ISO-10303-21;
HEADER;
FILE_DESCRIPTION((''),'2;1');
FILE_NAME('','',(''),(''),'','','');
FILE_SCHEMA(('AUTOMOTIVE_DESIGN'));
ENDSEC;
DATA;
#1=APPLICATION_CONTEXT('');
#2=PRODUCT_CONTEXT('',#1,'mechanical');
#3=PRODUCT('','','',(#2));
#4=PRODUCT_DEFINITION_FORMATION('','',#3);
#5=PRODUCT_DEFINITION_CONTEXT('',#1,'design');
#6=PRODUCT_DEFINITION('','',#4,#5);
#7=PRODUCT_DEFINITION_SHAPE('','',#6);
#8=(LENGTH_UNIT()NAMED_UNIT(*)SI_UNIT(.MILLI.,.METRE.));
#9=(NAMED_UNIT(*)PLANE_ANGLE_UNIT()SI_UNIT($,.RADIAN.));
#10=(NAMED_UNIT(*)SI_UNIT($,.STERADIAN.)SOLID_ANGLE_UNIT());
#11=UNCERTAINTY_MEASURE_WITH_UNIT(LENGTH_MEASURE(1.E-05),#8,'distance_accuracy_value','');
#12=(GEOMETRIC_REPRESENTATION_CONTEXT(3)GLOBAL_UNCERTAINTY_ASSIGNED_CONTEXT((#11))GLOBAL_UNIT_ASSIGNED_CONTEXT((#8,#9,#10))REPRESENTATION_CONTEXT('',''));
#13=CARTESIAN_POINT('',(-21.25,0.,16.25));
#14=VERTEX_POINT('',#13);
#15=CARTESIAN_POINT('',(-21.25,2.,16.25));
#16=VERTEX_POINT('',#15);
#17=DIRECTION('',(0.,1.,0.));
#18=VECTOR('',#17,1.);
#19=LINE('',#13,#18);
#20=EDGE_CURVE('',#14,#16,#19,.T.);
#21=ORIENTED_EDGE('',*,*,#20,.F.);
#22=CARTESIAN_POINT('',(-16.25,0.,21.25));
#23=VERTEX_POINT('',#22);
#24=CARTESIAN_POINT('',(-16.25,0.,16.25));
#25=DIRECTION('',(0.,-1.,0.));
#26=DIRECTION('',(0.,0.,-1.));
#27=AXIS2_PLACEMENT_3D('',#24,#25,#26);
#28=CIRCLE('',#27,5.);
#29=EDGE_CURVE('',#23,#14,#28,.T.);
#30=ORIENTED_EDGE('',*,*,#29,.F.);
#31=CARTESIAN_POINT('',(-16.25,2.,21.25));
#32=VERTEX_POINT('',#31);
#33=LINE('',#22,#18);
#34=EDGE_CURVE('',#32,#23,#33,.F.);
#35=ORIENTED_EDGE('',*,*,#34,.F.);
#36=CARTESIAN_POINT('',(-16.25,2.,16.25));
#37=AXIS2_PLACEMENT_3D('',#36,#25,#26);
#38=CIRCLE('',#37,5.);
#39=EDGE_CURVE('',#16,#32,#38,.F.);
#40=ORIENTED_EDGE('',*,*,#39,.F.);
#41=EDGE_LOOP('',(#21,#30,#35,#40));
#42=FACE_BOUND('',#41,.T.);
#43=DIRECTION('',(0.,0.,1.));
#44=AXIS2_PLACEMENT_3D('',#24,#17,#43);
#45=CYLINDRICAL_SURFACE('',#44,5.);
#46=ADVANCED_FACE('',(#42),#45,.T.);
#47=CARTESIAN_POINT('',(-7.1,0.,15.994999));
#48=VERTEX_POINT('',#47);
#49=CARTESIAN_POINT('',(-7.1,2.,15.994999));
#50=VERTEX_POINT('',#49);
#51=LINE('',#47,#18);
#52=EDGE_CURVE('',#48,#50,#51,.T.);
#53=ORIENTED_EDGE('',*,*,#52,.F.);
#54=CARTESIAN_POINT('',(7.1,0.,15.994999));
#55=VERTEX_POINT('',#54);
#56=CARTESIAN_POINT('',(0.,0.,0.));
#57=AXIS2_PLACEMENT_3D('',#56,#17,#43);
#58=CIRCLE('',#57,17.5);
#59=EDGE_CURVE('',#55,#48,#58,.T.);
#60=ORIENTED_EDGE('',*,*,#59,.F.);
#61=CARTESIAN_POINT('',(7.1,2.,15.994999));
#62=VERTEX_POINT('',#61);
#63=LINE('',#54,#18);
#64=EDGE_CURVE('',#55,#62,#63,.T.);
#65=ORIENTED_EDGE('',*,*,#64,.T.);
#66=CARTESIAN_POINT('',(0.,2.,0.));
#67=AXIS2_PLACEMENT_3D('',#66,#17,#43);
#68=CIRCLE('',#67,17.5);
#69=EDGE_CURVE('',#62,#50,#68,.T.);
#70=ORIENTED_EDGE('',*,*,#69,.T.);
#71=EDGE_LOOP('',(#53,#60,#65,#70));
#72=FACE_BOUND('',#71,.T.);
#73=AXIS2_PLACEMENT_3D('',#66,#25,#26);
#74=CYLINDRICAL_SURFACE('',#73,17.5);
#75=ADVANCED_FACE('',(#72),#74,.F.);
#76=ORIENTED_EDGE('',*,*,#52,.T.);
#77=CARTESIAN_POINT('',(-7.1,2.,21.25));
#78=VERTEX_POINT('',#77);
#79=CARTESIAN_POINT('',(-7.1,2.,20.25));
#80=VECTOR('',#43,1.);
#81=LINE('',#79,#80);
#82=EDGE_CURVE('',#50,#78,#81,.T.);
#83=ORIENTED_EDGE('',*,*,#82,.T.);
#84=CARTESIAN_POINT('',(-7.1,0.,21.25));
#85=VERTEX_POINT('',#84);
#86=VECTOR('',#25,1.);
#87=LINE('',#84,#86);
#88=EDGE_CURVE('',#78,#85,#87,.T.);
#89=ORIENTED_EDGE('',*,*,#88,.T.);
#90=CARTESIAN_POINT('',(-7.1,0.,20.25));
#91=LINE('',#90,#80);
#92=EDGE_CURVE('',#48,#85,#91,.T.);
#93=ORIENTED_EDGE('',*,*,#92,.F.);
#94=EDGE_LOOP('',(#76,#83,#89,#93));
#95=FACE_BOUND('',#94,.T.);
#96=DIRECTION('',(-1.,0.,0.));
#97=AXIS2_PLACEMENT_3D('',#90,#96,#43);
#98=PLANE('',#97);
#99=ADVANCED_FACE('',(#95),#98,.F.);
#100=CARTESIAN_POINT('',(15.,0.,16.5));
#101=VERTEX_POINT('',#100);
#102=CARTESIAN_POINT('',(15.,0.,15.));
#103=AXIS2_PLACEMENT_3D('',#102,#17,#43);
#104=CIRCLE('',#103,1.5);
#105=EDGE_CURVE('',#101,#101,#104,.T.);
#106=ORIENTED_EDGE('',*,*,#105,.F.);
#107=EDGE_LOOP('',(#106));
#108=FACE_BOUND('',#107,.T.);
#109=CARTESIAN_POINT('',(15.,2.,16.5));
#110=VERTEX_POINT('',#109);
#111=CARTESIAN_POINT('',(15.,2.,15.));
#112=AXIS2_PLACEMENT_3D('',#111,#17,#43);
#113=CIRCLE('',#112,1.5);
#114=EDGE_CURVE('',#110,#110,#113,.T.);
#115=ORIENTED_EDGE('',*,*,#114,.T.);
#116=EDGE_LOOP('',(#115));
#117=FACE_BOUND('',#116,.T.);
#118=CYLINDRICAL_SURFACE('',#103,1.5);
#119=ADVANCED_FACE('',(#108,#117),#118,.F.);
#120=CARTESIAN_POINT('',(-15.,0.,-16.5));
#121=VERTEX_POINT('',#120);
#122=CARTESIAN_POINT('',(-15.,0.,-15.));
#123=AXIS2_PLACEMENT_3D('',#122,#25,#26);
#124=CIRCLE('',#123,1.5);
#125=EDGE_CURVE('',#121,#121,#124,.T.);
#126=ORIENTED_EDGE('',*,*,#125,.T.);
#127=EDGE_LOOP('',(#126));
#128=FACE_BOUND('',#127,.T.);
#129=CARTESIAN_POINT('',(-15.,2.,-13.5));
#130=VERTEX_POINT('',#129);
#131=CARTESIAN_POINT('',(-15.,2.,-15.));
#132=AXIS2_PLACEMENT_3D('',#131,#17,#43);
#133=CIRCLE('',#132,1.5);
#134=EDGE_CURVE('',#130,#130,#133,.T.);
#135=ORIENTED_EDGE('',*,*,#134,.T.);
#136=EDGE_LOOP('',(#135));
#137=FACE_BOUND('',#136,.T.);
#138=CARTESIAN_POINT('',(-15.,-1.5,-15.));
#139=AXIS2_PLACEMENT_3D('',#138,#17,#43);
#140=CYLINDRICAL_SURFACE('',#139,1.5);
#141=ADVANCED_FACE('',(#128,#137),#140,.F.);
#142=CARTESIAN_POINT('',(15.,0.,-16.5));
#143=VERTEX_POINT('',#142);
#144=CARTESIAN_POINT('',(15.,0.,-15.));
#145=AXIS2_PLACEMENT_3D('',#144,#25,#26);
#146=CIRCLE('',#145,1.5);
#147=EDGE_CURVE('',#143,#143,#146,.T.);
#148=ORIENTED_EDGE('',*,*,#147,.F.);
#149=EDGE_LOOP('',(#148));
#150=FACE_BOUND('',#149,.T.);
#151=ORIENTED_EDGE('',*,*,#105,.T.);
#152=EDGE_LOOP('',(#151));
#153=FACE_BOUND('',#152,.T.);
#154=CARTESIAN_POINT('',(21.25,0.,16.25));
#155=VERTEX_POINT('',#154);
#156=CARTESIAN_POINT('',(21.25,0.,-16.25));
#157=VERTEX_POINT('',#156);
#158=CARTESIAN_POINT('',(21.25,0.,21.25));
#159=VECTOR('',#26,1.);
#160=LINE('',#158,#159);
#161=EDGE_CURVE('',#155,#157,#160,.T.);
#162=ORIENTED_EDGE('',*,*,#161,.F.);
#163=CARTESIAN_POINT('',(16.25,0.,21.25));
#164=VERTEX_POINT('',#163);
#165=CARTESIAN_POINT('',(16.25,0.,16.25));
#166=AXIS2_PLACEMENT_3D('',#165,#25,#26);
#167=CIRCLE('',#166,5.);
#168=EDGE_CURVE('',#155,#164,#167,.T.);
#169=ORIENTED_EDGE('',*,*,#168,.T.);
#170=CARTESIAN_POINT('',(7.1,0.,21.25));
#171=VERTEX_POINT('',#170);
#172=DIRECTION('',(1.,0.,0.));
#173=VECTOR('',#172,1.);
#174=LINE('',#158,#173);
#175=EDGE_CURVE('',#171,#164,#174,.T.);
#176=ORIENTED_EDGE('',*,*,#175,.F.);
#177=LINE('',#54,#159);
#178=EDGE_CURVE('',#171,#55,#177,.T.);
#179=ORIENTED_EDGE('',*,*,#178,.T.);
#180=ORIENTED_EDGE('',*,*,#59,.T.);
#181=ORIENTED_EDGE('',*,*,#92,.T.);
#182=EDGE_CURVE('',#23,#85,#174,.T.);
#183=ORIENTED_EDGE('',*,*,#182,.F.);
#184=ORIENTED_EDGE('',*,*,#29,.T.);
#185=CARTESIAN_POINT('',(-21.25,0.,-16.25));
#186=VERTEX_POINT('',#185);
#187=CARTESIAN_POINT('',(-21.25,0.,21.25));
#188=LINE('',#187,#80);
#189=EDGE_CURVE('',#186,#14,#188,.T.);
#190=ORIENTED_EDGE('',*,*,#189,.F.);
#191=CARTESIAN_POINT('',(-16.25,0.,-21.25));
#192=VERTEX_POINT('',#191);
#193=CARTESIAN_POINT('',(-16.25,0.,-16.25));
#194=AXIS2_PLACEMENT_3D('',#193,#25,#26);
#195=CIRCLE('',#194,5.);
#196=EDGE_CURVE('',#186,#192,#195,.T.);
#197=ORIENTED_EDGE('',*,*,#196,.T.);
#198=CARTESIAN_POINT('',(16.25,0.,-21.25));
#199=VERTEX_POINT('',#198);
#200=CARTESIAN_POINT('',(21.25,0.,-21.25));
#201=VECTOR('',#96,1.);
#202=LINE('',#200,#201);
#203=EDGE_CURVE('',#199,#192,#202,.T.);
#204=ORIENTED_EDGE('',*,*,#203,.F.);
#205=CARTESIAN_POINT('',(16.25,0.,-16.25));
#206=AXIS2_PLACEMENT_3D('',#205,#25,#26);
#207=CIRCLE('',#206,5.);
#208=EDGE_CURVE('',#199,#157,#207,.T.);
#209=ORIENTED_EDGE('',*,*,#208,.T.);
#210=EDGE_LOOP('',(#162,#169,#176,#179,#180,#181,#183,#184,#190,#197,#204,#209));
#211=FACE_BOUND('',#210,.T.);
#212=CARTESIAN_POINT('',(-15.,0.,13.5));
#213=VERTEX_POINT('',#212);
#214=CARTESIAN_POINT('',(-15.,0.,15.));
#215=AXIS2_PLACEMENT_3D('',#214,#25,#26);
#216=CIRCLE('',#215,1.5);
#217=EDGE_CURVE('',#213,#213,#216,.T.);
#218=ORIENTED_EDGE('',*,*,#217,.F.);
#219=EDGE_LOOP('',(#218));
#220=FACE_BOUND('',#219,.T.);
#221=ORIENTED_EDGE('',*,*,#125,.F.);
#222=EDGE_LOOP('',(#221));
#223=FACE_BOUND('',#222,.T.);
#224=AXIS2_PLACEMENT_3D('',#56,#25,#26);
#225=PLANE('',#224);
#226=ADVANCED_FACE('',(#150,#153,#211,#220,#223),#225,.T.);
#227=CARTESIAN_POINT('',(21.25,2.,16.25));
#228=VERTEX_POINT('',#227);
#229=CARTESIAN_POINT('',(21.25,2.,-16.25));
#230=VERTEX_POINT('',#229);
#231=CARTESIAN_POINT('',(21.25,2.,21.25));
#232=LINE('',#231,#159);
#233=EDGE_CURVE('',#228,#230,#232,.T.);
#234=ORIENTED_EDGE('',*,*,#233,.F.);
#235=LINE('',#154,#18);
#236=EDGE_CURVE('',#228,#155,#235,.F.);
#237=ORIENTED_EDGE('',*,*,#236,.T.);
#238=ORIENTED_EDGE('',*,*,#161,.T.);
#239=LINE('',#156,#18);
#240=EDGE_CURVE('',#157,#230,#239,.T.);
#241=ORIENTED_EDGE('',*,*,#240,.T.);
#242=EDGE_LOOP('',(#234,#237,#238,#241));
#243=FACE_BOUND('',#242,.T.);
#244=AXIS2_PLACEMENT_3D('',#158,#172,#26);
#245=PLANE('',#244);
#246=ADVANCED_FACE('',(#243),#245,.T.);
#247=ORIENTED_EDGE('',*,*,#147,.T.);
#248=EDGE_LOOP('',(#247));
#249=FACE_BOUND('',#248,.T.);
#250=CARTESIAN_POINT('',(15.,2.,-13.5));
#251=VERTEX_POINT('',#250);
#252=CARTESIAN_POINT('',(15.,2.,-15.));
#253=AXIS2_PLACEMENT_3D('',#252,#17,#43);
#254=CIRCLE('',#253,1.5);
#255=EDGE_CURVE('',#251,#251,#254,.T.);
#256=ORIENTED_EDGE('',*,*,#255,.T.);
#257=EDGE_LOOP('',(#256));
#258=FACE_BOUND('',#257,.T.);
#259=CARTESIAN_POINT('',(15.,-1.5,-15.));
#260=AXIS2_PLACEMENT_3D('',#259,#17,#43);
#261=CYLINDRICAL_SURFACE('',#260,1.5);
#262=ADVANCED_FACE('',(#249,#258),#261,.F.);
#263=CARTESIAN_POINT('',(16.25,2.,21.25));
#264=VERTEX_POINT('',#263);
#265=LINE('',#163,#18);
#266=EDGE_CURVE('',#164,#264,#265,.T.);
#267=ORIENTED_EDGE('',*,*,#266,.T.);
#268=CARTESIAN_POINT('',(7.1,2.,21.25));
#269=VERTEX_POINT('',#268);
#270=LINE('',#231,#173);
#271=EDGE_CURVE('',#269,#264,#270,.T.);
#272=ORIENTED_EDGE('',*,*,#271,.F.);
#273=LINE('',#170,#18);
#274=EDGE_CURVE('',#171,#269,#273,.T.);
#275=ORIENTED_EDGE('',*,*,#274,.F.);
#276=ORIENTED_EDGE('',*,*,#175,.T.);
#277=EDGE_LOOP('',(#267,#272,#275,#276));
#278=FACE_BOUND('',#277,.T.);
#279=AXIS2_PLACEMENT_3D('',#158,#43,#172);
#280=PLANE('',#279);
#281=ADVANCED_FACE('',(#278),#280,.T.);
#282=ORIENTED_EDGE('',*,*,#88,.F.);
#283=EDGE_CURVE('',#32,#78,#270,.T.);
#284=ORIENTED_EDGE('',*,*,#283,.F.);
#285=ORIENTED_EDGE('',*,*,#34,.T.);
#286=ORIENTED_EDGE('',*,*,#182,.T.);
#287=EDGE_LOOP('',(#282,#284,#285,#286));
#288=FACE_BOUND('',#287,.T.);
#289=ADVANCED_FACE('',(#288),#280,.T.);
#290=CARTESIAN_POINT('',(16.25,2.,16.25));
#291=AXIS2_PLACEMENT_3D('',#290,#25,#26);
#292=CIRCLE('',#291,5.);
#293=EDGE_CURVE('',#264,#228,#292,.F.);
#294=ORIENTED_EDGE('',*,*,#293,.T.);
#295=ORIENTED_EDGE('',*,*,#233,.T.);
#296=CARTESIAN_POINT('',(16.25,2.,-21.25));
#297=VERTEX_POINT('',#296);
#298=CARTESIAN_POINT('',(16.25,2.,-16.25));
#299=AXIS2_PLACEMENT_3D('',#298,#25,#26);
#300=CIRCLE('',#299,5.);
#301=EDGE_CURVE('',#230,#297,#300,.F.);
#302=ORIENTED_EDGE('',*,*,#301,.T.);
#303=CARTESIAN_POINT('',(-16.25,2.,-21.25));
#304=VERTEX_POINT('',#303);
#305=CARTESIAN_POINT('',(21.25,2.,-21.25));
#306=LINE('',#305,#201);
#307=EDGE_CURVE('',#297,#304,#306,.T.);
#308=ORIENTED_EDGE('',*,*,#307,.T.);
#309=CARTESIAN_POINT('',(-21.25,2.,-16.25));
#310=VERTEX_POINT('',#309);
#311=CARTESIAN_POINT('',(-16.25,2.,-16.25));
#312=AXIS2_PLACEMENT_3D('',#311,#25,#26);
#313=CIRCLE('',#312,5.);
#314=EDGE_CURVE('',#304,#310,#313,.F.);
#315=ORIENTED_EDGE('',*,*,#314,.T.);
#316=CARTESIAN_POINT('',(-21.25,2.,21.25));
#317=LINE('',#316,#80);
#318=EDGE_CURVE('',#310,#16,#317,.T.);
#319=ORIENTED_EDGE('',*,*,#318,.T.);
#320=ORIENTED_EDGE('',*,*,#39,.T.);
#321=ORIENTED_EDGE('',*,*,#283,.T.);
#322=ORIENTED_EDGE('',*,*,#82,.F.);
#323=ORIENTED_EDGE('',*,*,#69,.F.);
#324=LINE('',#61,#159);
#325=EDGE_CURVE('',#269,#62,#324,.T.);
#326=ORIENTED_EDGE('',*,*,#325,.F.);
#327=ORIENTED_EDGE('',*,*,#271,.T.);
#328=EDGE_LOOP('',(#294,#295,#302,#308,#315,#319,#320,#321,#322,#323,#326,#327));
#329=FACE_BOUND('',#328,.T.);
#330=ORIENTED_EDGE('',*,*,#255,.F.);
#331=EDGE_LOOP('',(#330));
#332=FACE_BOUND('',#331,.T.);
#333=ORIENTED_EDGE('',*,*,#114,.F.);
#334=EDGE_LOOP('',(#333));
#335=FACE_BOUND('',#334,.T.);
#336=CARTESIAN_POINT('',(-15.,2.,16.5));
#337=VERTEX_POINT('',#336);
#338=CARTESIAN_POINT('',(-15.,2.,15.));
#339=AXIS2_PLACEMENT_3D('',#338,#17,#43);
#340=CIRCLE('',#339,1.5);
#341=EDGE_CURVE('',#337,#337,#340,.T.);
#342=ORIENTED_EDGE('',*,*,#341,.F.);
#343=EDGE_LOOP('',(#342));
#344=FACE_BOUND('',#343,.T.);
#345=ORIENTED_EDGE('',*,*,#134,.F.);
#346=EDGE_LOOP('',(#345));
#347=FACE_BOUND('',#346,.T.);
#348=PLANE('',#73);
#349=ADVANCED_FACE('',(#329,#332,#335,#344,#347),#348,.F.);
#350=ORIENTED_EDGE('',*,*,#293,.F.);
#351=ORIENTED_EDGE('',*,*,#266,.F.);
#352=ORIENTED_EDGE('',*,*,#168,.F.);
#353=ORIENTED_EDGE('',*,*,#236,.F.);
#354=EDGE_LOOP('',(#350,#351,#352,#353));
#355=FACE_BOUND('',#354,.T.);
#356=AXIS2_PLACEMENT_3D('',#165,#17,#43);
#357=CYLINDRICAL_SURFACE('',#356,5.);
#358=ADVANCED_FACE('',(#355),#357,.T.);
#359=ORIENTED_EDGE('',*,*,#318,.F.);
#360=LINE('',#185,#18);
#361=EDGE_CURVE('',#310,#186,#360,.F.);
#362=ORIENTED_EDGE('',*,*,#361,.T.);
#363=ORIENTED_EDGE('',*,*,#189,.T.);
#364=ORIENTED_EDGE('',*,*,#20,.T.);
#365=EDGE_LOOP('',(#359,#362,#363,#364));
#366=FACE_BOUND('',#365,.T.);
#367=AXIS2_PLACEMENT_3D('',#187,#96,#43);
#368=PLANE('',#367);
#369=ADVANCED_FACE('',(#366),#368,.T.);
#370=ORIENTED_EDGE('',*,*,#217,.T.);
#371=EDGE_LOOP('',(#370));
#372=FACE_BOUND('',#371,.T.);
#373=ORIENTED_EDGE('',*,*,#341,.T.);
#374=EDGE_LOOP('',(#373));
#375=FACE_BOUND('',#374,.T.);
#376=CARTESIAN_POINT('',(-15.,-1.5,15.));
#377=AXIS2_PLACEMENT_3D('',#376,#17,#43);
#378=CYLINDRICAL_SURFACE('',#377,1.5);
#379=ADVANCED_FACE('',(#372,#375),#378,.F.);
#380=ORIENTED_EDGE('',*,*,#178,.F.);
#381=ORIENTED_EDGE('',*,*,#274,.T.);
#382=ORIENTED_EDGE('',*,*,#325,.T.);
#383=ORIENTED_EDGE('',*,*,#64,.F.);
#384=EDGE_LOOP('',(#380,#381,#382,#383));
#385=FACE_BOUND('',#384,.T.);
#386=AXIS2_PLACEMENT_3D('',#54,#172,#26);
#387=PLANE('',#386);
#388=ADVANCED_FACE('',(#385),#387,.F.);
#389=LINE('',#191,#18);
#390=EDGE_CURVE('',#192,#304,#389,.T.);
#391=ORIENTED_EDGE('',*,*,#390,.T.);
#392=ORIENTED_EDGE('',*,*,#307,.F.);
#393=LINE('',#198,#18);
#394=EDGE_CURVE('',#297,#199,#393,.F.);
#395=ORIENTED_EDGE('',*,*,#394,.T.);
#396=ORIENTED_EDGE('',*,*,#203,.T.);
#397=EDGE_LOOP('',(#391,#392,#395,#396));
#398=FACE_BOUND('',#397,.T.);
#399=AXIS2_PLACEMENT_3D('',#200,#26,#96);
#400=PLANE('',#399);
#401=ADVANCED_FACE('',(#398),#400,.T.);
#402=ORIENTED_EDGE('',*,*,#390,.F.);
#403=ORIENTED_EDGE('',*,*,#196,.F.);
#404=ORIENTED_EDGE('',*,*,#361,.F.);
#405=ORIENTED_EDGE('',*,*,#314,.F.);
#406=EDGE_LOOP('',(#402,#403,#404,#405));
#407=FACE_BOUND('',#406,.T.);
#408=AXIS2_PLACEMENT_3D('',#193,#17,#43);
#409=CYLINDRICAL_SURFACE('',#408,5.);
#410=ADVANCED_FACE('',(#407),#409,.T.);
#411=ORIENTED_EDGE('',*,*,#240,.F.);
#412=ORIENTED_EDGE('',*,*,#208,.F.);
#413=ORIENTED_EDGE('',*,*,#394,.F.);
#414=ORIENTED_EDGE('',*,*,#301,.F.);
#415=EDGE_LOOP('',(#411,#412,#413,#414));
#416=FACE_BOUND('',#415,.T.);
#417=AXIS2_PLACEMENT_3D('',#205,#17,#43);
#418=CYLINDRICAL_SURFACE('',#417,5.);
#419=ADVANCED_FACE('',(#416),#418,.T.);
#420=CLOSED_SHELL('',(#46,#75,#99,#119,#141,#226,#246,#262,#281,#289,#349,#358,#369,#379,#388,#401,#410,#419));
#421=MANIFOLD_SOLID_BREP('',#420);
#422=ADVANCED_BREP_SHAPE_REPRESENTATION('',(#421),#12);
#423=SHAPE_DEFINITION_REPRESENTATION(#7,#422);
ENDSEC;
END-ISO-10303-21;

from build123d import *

# Parameters (mm, degrees)
SKETCH1_W           = 40.5
SKETCH1_H           = 40.5
SKETCH1_R           = 17.5
BOSS_EXTRUDE1_DEPTH = 2
SKETCH2_R           = 1.25
CUT_EXTRUDE1_DEPTH  = 2
CUT_EXTRUDE2_DEPTH  = 2
SKETCH4_W           = 42.5
SKETCH4_H           = 42.5
SKETCH4_W_2         = 40.5
SKETCH4_H_2         = 40.5
BOSS_EXTRUDE2_DEPTH = 2
SKETCH5_W           = 14.2
SKETCH5_H           = 2
CUT_EXTRUDE3_DEPTH  = 2
SKETCH6_R           = 1.5
CUT_EXTRUDE4_DEPTH  = 3.5
SKETCH7_R           = 1.5
BOSS_EXTRUDE3_DEPTH = 2
SKETCH8_R           = 1.5
CUT_EXTRUDE5_DEPTH  = 2
FILLET2_R           = 5


with BuildPart() as part:
    # Sketch1 → Boss-Extrude1 (new body)
    with BuildSketch(Plane(origin=(0, 0, 0), x_dir=(1, 0, 0), z_dir=(0, 1, 0))):
        Rectangle(SKETCH1_W, SKETCH1_H)
        with Locations(Location((0, 0, 0), (0, 0, 270))):
            Circle(SKETCH1_R, mode=Mode.SUBTRACT)
    extrude(amount=BOSS_EXTRUDE1_DEPTH)

    # Sketch2 → Cut-Extrude1 (cut)
    with BuildSketch(Plane(origin=(0, 2, 0), x_dir=(1, 0, 0), z_dir=(0, 1, 0))):
        with Locations(Location((-15, 15, 0), (0, 0, 270))):
            Circle(SKETCH2_R)
        with Locations(Location((15, 15, 0), (0, 0, 270))):
            Circle(SKETCH2_R)
        with Locations(Location((-15, -15, 0), (0, 0, 270))):
            Circle(SKETCH2_R)
        with Locations(Location((15, -16.25, 0), (0, 0, 270))):
            Circle(SKETCH2_R)
    extrude(amount=-CUT_EXTRUDE1_DEPTH, mode=Mode.SUBTRACT)

    # Sketch3 → Cut-Extrude2 (cut)
    with BuildSketch(Plane(origin=(0, 2, 0), x_dir=(1, 0, 0), z_dir=(0, 1, 0))):
        Polygon((0, -20.25), (7.1, -20.25), (7.1, -15.994999219), (-7.1, -15.994999219), (-7.1, -20.25), align=None)
    extrude(amount=-CUT_EXTRUDE2_DEPTH, mode=Mode.SUBTRACT)

    # Sketch4 → Boss-Extrude2 (add)
    with BuildSketch(Plane(origin=(0, 2, 0), x_dir=(1, 0, 0), z_dir=(0, 1, 0))):
        Rectangle(SKETCH4_W, SKETCH4_H)
        Rectangle(SKETCH4_W_2, SKETCH4_H_2, mode=Mode.SUBTRACT)
    extrude(amount=-BOSS_EXTRUDE2_DEPTH)

    # Sketch5 → Cut-Extrude3 (cut)
    with BuildSketch(Plane(origin=(0, 2, 0), x_dir=(1, 0, 0), z_dir=(0, 1, 0))):
        with Locations((0, -21.25)):
            Rectangle(SKETCH5_W, SKETCH5_H)
    extrude(amount=-CUT_EXTRUDE3_DEPTH, mode=Mode.SUBTRACT)

    # Sketch6 → Cut-Extrude4 (cut)
    with BuildSketch(Plane(origin=(0, 2, 0), x_dir=(1, 0, 0), z_dir=(0, 1, 0))):
        with Locations(Location((-15, 15, 0), (0, 0, 270))):
            Circle(SKETCH6_R)
        with Locations(Location((15, 15, 0), (0, 0, 270))):
            Circle(SKETCH6_R)
        with Locations(Location((15, -16.25, 0), (0, 0, 270))):
            Circle(SKETCH6_R)
        with Locations(Location((-15, -15, 0), (0, 0, 270))):
            Circle(SKETCH6_R)
    extrude(amount=-CUT_EXTRUDE4_DEPTH, mode=Mode.SUBTRACT)

    # Sketch7 → Boss-Extrude3 (add)
    with BuildSketch(Plane(origin=(0, 2, 0), x_dir=(1, 0, 0), z_dir=(0, 1, 0))):
        with Locations((15, -16.25)):
            Circle(SKETCH7_R)
    extrude(amount=-BOSS_EXTRUDE3_DEPTH)

    # Sketch8 → Cut-Extrude5 (cut)
    with BuildSketch(Plane(origin=(0, 2, 0), x_dir=(1, 0, 0), z_dir=(0, 1, 0))):
        with Locations(Location((15, -15, 0), (0, 0, 270))):
            Circle(SKETCH8_R)
    extrude(amount=-CUT_EXTRUDE5_DEPTH, mode=Mode.SUBTRACT)

    # Fillet2
    fillet2_edges = [part.edges().sort_by_distance(p)[0] for p in [
        (-21.25, 1, 21.25),
        (-21.25, 1, -21.25),
        (21.25, 1, -21.25),
        (21.25, 1, 21.25),
    ]]
    fillet(fillet2_edges, radius=FILLET2_R)


solid = part.part
